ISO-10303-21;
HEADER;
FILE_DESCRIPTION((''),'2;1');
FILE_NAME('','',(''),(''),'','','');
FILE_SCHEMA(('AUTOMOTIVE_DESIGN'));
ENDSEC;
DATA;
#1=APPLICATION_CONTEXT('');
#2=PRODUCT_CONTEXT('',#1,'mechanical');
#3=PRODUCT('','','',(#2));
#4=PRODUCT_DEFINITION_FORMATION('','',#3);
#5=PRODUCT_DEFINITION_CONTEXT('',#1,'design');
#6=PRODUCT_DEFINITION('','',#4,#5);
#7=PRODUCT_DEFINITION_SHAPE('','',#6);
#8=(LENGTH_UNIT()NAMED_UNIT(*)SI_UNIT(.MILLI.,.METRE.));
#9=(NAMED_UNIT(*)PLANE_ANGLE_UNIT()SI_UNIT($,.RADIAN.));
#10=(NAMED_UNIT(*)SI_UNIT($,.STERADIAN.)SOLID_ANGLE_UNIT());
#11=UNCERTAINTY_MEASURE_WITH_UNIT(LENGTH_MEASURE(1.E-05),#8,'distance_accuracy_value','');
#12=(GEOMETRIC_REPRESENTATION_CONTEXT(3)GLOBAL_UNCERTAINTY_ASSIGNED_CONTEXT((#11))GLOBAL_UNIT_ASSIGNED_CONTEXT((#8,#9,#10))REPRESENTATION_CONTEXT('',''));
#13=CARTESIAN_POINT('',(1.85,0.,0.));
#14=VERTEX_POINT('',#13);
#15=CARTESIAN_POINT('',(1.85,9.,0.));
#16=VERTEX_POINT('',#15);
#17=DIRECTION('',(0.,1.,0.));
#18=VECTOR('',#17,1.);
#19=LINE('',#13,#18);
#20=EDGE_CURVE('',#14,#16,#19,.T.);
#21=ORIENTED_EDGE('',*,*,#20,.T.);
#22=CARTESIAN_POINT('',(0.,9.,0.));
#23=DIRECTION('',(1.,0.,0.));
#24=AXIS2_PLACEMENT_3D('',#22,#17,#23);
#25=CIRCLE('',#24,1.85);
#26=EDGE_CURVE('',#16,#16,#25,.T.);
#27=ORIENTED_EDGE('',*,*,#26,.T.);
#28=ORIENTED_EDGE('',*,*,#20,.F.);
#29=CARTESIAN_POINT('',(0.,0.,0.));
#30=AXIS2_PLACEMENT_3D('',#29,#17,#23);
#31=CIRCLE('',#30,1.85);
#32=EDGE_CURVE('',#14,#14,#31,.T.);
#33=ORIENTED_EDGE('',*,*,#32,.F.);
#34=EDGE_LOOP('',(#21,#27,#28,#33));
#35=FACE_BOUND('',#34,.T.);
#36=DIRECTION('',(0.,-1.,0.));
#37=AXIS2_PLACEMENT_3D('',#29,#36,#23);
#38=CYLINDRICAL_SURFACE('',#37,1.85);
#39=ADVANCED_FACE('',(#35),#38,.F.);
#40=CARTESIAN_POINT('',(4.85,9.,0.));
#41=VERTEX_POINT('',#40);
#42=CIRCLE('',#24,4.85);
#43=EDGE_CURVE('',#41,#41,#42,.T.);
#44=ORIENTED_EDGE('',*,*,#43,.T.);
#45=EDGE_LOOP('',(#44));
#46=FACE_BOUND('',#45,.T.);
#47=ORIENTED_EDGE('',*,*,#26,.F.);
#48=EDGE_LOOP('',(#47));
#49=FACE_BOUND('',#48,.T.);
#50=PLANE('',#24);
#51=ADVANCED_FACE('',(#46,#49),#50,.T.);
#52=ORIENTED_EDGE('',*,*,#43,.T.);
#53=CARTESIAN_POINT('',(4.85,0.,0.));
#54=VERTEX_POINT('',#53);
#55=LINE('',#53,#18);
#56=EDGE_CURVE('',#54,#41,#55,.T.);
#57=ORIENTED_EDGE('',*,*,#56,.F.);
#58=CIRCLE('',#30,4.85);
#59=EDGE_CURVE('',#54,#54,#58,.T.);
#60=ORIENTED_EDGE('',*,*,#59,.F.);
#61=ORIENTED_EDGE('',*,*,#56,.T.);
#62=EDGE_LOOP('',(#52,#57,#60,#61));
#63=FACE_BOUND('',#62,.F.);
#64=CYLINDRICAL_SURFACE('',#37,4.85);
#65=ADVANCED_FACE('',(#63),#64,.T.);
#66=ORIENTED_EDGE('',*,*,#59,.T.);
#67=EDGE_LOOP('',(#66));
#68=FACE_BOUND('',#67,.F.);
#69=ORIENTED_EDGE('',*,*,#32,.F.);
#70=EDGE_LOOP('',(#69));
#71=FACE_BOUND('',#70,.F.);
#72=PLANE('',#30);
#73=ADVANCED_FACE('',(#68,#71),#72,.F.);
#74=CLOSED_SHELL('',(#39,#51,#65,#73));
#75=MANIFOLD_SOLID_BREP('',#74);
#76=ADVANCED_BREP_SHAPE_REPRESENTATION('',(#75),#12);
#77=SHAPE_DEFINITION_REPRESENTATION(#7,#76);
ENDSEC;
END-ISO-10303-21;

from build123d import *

# Parameters (mm, degrees)
SKETCH_1_R      = 4.85
SKETCH_1_R_2    = 1.85
EXTRUDE_1_DEPTH = 9


with BuildPart() as part:
    # 草图1 → 拉伸-薄壁1 (new body)
    with BuildSketch(Plane(origin=(0, 0, 0), x_dir=(1, 0, 0), z_dir=(0, 1, 0))):
        Circle(SKETCH_1_R)
        Circle(SKETCH_1_R_2, mode=Mode.SUBTRACT)
    extrude(amount=EXTRUDE_1_DEPTH)


solid = part.part
